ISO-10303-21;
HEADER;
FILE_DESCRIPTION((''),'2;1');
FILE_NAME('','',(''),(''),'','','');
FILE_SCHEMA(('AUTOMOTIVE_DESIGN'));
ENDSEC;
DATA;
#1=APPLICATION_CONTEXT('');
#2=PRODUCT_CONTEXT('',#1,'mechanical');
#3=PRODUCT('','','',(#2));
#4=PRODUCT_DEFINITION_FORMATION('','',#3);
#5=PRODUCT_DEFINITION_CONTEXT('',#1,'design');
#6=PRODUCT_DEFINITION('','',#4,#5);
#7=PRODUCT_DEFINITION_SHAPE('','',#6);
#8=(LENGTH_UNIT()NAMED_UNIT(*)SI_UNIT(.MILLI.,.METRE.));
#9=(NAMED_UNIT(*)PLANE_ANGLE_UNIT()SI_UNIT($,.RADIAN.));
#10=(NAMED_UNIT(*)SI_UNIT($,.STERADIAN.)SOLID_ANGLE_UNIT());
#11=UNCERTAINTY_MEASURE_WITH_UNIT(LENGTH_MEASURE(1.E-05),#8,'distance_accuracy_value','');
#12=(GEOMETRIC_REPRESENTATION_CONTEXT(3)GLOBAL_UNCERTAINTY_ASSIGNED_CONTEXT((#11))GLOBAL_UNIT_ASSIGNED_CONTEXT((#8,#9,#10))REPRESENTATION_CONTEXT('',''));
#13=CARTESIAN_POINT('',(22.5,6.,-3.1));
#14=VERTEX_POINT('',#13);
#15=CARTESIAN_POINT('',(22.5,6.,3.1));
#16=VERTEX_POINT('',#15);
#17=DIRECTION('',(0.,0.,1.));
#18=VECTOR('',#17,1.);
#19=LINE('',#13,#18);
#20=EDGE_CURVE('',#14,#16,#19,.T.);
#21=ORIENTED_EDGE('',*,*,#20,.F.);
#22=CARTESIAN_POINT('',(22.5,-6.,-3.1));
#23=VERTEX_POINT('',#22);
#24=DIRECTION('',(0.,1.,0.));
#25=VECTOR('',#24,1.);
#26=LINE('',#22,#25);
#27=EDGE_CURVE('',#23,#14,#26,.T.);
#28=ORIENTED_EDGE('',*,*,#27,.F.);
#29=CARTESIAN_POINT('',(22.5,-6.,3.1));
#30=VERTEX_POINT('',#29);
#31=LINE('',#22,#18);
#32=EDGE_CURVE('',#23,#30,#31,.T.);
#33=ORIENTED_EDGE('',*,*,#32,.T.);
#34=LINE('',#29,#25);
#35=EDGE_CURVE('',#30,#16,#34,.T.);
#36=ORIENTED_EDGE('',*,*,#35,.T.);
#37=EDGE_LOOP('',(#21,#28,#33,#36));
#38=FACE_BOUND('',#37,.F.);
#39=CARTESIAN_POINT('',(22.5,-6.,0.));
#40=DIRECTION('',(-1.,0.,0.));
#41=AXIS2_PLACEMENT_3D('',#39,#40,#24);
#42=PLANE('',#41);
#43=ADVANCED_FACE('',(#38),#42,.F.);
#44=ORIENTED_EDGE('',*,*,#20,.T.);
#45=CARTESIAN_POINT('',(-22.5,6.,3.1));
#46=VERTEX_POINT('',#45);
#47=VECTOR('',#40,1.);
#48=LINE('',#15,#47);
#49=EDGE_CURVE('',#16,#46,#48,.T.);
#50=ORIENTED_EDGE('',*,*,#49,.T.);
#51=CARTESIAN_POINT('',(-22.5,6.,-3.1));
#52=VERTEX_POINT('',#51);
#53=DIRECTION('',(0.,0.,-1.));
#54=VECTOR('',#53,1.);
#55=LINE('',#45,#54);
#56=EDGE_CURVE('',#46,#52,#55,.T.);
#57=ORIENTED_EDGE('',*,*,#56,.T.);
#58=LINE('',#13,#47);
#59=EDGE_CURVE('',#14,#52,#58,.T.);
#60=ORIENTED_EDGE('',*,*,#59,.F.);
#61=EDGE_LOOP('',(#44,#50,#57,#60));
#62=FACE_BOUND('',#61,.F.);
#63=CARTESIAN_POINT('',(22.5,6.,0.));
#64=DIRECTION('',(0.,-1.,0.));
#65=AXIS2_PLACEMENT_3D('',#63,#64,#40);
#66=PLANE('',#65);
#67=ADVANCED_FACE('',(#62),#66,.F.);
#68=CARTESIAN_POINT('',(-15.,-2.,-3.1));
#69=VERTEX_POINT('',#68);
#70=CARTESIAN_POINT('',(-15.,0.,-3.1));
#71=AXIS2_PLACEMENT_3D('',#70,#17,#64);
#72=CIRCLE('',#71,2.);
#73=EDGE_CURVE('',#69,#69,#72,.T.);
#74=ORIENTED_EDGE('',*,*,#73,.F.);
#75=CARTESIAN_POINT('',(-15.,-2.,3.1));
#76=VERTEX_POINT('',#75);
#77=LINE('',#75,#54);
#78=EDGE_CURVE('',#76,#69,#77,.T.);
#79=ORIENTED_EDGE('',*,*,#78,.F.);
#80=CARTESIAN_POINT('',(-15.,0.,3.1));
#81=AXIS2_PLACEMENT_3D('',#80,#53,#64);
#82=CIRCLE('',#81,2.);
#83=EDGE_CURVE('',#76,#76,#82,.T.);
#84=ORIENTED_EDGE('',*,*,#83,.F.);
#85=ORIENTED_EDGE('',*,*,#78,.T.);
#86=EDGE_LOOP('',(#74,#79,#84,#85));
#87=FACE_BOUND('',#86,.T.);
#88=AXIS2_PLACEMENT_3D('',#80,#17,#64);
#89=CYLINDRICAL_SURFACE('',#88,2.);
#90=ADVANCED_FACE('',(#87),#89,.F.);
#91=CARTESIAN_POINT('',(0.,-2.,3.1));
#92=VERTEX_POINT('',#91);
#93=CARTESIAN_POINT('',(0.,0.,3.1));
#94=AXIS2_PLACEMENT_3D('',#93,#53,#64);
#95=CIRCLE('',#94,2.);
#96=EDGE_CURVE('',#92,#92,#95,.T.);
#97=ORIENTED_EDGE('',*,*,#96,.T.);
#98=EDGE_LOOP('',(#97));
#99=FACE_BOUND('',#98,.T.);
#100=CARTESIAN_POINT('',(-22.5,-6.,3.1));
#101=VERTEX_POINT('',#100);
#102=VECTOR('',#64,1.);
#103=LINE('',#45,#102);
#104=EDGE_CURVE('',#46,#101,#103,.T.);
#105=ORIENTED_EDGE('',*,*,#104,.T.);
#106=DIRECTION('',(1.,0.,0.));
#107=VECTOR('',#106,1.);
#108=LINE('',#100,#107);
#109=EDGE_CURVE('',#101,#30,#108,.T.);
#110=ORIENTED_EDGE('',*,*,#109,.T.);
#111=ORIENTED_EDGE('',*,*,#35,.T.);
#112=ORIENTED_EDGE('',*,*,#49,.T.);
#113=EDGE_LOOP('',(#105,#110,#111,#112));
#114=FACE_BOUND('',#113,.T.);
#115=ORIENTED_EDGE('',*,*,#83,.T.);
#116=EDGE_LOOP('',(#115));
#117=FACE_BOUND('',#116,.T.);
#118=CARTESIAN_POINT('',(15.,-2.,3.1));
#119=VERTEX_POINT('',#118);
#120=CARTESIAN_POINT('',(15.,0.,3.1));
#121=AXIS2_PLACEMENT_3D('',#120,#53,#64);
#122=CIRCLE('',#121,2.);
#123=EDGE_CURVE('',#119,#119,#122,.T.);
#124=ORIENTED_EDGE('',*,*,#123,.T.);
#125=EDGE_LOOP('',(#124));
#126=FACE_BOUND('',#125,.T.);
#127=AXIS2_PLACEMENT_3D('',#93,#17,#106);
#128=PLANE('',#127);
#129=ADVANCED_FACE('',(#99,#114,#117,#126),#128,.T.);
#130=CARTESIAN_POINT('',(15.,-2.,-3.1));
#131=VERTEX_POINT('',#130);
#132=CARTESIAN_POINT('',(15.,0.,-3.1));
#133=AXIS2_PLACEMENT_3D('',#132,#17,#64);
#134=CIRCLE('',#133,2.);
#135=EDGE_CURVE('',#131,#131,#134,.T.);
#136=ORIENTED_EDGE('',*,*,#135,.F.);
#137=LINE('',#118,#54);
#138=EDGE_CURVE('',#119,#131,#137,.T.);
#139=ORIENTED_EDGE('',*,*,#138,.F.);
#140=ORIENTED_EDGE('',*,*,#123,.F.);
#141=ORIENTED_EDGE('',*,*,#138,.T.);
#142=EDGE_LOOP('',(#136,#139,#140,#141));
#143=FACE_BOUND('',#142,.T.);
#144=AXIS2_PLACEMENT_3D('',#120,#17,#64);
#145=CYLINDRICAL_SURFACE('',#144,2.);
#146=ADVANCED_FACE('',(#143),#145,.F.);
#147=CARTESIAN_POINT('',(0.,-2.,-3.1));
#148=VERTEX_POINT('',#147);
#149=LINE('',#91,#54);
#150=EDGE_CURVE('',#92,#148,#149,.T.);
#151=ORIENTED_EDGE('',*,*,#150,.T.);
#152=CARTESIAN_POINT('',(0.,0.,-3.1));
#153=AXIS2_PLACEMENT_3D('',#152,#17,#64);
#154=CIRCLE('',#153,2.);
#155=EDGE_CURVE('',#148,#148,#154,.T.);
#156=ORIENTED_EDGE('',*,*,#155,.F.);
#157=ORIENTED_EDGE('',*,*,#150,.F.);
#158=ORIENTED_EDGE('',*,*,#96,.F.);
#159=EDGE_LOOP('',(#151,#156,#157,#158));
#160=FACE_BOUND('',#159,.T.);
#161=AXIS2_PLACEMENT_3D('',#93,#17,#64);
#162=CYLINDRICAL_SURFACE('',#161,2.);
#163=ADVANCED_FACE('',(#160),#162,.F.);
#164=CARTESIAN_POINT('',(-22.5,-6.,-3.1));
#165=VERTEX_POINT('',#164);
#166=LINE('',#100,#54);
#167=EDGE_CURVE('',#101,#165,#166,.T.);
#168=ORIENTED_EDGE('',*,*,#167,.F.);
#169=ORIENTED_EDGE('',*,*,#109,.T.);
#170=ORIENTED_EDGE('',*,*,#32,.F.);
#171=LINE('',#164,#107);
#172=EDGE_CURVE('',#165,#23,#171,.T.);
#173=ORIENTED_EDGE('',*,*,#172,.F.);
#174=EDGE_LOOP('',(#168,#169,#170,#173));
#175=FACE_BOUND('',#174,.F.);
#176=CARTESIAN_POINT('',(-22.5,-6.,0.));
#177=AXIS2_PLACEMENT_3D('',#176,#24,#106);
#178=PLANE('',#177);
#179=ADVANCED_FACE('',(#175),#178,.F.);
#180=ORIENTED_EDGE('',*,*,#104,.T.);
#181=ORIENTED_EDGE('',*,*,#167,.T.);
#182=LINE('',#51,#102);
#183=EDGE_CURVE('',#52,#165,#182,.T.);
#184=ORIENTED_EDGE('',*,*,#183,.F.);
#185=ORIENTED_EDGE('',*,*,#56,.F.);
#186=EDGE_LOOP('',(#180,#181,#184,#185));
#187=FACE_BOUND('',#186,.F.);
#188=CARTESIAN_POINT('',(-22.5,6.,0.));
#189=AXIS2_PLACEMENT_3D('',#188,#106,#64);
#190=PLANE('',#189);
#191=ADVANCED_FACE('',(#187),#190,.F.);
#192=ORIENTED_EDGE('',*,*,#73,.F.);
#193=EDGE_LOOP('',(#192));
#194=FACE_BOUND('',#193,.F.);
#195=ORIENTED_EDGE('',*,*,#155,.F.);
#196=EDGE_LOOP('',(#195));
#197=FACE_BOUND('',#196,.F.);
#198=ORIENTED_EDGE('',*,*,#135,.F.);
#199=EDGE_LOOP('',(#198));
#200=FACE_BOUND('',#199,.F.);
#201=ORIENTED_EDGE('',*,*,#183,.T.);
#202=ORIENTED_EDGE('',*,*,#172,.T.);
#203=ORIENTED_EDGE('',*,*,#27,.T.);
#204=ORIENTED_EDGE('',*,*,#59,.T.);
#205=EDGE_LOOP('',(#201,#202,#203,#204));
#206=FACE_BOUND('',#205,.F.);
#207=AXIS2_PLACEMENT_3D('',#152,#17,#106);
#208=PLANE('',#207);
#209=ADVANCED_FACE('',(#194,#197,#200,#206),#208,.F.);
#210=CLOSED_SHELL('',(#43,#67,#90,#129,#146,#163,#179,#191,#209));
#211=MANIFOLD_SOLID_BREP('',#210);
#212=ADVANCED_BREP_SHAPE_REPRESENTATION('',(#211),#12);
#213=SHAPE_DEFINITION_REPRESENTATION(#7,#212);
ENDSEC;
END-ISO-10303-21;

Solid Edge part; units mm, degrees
sketch "Sketch1" plane through (0, 0, 0) normal (0, 0, 1) x (1, 0, 0)
  line L0 (-22.5, -6) -> (22.5, -6)
  line L1 (22.5, -6) -> (22.5, 6)
  line L2 (22.5, 6) -> (-22.5, 6)
  line L3 (-22.5, 6) -> (-22.5, -6)
  dimension "D1" = 45
  dimension "D2" = 12
extrude "Protrusion1" add sketch "Sketch1" along normal mid plane 6.2
hole "Hole_1" at (-15, 0, 3.1) direction (0, 0, -1) diameter 4 end up to next
hole "Hole1" at (0, 0, 3.1) direction (0, 0, -1) diameter 4 end up to next
hole "Hole2" at (15, 0, 3.1) direction (0, 0, -1) diameter 4 end up to next
properties material "Polyethylene, low density"
